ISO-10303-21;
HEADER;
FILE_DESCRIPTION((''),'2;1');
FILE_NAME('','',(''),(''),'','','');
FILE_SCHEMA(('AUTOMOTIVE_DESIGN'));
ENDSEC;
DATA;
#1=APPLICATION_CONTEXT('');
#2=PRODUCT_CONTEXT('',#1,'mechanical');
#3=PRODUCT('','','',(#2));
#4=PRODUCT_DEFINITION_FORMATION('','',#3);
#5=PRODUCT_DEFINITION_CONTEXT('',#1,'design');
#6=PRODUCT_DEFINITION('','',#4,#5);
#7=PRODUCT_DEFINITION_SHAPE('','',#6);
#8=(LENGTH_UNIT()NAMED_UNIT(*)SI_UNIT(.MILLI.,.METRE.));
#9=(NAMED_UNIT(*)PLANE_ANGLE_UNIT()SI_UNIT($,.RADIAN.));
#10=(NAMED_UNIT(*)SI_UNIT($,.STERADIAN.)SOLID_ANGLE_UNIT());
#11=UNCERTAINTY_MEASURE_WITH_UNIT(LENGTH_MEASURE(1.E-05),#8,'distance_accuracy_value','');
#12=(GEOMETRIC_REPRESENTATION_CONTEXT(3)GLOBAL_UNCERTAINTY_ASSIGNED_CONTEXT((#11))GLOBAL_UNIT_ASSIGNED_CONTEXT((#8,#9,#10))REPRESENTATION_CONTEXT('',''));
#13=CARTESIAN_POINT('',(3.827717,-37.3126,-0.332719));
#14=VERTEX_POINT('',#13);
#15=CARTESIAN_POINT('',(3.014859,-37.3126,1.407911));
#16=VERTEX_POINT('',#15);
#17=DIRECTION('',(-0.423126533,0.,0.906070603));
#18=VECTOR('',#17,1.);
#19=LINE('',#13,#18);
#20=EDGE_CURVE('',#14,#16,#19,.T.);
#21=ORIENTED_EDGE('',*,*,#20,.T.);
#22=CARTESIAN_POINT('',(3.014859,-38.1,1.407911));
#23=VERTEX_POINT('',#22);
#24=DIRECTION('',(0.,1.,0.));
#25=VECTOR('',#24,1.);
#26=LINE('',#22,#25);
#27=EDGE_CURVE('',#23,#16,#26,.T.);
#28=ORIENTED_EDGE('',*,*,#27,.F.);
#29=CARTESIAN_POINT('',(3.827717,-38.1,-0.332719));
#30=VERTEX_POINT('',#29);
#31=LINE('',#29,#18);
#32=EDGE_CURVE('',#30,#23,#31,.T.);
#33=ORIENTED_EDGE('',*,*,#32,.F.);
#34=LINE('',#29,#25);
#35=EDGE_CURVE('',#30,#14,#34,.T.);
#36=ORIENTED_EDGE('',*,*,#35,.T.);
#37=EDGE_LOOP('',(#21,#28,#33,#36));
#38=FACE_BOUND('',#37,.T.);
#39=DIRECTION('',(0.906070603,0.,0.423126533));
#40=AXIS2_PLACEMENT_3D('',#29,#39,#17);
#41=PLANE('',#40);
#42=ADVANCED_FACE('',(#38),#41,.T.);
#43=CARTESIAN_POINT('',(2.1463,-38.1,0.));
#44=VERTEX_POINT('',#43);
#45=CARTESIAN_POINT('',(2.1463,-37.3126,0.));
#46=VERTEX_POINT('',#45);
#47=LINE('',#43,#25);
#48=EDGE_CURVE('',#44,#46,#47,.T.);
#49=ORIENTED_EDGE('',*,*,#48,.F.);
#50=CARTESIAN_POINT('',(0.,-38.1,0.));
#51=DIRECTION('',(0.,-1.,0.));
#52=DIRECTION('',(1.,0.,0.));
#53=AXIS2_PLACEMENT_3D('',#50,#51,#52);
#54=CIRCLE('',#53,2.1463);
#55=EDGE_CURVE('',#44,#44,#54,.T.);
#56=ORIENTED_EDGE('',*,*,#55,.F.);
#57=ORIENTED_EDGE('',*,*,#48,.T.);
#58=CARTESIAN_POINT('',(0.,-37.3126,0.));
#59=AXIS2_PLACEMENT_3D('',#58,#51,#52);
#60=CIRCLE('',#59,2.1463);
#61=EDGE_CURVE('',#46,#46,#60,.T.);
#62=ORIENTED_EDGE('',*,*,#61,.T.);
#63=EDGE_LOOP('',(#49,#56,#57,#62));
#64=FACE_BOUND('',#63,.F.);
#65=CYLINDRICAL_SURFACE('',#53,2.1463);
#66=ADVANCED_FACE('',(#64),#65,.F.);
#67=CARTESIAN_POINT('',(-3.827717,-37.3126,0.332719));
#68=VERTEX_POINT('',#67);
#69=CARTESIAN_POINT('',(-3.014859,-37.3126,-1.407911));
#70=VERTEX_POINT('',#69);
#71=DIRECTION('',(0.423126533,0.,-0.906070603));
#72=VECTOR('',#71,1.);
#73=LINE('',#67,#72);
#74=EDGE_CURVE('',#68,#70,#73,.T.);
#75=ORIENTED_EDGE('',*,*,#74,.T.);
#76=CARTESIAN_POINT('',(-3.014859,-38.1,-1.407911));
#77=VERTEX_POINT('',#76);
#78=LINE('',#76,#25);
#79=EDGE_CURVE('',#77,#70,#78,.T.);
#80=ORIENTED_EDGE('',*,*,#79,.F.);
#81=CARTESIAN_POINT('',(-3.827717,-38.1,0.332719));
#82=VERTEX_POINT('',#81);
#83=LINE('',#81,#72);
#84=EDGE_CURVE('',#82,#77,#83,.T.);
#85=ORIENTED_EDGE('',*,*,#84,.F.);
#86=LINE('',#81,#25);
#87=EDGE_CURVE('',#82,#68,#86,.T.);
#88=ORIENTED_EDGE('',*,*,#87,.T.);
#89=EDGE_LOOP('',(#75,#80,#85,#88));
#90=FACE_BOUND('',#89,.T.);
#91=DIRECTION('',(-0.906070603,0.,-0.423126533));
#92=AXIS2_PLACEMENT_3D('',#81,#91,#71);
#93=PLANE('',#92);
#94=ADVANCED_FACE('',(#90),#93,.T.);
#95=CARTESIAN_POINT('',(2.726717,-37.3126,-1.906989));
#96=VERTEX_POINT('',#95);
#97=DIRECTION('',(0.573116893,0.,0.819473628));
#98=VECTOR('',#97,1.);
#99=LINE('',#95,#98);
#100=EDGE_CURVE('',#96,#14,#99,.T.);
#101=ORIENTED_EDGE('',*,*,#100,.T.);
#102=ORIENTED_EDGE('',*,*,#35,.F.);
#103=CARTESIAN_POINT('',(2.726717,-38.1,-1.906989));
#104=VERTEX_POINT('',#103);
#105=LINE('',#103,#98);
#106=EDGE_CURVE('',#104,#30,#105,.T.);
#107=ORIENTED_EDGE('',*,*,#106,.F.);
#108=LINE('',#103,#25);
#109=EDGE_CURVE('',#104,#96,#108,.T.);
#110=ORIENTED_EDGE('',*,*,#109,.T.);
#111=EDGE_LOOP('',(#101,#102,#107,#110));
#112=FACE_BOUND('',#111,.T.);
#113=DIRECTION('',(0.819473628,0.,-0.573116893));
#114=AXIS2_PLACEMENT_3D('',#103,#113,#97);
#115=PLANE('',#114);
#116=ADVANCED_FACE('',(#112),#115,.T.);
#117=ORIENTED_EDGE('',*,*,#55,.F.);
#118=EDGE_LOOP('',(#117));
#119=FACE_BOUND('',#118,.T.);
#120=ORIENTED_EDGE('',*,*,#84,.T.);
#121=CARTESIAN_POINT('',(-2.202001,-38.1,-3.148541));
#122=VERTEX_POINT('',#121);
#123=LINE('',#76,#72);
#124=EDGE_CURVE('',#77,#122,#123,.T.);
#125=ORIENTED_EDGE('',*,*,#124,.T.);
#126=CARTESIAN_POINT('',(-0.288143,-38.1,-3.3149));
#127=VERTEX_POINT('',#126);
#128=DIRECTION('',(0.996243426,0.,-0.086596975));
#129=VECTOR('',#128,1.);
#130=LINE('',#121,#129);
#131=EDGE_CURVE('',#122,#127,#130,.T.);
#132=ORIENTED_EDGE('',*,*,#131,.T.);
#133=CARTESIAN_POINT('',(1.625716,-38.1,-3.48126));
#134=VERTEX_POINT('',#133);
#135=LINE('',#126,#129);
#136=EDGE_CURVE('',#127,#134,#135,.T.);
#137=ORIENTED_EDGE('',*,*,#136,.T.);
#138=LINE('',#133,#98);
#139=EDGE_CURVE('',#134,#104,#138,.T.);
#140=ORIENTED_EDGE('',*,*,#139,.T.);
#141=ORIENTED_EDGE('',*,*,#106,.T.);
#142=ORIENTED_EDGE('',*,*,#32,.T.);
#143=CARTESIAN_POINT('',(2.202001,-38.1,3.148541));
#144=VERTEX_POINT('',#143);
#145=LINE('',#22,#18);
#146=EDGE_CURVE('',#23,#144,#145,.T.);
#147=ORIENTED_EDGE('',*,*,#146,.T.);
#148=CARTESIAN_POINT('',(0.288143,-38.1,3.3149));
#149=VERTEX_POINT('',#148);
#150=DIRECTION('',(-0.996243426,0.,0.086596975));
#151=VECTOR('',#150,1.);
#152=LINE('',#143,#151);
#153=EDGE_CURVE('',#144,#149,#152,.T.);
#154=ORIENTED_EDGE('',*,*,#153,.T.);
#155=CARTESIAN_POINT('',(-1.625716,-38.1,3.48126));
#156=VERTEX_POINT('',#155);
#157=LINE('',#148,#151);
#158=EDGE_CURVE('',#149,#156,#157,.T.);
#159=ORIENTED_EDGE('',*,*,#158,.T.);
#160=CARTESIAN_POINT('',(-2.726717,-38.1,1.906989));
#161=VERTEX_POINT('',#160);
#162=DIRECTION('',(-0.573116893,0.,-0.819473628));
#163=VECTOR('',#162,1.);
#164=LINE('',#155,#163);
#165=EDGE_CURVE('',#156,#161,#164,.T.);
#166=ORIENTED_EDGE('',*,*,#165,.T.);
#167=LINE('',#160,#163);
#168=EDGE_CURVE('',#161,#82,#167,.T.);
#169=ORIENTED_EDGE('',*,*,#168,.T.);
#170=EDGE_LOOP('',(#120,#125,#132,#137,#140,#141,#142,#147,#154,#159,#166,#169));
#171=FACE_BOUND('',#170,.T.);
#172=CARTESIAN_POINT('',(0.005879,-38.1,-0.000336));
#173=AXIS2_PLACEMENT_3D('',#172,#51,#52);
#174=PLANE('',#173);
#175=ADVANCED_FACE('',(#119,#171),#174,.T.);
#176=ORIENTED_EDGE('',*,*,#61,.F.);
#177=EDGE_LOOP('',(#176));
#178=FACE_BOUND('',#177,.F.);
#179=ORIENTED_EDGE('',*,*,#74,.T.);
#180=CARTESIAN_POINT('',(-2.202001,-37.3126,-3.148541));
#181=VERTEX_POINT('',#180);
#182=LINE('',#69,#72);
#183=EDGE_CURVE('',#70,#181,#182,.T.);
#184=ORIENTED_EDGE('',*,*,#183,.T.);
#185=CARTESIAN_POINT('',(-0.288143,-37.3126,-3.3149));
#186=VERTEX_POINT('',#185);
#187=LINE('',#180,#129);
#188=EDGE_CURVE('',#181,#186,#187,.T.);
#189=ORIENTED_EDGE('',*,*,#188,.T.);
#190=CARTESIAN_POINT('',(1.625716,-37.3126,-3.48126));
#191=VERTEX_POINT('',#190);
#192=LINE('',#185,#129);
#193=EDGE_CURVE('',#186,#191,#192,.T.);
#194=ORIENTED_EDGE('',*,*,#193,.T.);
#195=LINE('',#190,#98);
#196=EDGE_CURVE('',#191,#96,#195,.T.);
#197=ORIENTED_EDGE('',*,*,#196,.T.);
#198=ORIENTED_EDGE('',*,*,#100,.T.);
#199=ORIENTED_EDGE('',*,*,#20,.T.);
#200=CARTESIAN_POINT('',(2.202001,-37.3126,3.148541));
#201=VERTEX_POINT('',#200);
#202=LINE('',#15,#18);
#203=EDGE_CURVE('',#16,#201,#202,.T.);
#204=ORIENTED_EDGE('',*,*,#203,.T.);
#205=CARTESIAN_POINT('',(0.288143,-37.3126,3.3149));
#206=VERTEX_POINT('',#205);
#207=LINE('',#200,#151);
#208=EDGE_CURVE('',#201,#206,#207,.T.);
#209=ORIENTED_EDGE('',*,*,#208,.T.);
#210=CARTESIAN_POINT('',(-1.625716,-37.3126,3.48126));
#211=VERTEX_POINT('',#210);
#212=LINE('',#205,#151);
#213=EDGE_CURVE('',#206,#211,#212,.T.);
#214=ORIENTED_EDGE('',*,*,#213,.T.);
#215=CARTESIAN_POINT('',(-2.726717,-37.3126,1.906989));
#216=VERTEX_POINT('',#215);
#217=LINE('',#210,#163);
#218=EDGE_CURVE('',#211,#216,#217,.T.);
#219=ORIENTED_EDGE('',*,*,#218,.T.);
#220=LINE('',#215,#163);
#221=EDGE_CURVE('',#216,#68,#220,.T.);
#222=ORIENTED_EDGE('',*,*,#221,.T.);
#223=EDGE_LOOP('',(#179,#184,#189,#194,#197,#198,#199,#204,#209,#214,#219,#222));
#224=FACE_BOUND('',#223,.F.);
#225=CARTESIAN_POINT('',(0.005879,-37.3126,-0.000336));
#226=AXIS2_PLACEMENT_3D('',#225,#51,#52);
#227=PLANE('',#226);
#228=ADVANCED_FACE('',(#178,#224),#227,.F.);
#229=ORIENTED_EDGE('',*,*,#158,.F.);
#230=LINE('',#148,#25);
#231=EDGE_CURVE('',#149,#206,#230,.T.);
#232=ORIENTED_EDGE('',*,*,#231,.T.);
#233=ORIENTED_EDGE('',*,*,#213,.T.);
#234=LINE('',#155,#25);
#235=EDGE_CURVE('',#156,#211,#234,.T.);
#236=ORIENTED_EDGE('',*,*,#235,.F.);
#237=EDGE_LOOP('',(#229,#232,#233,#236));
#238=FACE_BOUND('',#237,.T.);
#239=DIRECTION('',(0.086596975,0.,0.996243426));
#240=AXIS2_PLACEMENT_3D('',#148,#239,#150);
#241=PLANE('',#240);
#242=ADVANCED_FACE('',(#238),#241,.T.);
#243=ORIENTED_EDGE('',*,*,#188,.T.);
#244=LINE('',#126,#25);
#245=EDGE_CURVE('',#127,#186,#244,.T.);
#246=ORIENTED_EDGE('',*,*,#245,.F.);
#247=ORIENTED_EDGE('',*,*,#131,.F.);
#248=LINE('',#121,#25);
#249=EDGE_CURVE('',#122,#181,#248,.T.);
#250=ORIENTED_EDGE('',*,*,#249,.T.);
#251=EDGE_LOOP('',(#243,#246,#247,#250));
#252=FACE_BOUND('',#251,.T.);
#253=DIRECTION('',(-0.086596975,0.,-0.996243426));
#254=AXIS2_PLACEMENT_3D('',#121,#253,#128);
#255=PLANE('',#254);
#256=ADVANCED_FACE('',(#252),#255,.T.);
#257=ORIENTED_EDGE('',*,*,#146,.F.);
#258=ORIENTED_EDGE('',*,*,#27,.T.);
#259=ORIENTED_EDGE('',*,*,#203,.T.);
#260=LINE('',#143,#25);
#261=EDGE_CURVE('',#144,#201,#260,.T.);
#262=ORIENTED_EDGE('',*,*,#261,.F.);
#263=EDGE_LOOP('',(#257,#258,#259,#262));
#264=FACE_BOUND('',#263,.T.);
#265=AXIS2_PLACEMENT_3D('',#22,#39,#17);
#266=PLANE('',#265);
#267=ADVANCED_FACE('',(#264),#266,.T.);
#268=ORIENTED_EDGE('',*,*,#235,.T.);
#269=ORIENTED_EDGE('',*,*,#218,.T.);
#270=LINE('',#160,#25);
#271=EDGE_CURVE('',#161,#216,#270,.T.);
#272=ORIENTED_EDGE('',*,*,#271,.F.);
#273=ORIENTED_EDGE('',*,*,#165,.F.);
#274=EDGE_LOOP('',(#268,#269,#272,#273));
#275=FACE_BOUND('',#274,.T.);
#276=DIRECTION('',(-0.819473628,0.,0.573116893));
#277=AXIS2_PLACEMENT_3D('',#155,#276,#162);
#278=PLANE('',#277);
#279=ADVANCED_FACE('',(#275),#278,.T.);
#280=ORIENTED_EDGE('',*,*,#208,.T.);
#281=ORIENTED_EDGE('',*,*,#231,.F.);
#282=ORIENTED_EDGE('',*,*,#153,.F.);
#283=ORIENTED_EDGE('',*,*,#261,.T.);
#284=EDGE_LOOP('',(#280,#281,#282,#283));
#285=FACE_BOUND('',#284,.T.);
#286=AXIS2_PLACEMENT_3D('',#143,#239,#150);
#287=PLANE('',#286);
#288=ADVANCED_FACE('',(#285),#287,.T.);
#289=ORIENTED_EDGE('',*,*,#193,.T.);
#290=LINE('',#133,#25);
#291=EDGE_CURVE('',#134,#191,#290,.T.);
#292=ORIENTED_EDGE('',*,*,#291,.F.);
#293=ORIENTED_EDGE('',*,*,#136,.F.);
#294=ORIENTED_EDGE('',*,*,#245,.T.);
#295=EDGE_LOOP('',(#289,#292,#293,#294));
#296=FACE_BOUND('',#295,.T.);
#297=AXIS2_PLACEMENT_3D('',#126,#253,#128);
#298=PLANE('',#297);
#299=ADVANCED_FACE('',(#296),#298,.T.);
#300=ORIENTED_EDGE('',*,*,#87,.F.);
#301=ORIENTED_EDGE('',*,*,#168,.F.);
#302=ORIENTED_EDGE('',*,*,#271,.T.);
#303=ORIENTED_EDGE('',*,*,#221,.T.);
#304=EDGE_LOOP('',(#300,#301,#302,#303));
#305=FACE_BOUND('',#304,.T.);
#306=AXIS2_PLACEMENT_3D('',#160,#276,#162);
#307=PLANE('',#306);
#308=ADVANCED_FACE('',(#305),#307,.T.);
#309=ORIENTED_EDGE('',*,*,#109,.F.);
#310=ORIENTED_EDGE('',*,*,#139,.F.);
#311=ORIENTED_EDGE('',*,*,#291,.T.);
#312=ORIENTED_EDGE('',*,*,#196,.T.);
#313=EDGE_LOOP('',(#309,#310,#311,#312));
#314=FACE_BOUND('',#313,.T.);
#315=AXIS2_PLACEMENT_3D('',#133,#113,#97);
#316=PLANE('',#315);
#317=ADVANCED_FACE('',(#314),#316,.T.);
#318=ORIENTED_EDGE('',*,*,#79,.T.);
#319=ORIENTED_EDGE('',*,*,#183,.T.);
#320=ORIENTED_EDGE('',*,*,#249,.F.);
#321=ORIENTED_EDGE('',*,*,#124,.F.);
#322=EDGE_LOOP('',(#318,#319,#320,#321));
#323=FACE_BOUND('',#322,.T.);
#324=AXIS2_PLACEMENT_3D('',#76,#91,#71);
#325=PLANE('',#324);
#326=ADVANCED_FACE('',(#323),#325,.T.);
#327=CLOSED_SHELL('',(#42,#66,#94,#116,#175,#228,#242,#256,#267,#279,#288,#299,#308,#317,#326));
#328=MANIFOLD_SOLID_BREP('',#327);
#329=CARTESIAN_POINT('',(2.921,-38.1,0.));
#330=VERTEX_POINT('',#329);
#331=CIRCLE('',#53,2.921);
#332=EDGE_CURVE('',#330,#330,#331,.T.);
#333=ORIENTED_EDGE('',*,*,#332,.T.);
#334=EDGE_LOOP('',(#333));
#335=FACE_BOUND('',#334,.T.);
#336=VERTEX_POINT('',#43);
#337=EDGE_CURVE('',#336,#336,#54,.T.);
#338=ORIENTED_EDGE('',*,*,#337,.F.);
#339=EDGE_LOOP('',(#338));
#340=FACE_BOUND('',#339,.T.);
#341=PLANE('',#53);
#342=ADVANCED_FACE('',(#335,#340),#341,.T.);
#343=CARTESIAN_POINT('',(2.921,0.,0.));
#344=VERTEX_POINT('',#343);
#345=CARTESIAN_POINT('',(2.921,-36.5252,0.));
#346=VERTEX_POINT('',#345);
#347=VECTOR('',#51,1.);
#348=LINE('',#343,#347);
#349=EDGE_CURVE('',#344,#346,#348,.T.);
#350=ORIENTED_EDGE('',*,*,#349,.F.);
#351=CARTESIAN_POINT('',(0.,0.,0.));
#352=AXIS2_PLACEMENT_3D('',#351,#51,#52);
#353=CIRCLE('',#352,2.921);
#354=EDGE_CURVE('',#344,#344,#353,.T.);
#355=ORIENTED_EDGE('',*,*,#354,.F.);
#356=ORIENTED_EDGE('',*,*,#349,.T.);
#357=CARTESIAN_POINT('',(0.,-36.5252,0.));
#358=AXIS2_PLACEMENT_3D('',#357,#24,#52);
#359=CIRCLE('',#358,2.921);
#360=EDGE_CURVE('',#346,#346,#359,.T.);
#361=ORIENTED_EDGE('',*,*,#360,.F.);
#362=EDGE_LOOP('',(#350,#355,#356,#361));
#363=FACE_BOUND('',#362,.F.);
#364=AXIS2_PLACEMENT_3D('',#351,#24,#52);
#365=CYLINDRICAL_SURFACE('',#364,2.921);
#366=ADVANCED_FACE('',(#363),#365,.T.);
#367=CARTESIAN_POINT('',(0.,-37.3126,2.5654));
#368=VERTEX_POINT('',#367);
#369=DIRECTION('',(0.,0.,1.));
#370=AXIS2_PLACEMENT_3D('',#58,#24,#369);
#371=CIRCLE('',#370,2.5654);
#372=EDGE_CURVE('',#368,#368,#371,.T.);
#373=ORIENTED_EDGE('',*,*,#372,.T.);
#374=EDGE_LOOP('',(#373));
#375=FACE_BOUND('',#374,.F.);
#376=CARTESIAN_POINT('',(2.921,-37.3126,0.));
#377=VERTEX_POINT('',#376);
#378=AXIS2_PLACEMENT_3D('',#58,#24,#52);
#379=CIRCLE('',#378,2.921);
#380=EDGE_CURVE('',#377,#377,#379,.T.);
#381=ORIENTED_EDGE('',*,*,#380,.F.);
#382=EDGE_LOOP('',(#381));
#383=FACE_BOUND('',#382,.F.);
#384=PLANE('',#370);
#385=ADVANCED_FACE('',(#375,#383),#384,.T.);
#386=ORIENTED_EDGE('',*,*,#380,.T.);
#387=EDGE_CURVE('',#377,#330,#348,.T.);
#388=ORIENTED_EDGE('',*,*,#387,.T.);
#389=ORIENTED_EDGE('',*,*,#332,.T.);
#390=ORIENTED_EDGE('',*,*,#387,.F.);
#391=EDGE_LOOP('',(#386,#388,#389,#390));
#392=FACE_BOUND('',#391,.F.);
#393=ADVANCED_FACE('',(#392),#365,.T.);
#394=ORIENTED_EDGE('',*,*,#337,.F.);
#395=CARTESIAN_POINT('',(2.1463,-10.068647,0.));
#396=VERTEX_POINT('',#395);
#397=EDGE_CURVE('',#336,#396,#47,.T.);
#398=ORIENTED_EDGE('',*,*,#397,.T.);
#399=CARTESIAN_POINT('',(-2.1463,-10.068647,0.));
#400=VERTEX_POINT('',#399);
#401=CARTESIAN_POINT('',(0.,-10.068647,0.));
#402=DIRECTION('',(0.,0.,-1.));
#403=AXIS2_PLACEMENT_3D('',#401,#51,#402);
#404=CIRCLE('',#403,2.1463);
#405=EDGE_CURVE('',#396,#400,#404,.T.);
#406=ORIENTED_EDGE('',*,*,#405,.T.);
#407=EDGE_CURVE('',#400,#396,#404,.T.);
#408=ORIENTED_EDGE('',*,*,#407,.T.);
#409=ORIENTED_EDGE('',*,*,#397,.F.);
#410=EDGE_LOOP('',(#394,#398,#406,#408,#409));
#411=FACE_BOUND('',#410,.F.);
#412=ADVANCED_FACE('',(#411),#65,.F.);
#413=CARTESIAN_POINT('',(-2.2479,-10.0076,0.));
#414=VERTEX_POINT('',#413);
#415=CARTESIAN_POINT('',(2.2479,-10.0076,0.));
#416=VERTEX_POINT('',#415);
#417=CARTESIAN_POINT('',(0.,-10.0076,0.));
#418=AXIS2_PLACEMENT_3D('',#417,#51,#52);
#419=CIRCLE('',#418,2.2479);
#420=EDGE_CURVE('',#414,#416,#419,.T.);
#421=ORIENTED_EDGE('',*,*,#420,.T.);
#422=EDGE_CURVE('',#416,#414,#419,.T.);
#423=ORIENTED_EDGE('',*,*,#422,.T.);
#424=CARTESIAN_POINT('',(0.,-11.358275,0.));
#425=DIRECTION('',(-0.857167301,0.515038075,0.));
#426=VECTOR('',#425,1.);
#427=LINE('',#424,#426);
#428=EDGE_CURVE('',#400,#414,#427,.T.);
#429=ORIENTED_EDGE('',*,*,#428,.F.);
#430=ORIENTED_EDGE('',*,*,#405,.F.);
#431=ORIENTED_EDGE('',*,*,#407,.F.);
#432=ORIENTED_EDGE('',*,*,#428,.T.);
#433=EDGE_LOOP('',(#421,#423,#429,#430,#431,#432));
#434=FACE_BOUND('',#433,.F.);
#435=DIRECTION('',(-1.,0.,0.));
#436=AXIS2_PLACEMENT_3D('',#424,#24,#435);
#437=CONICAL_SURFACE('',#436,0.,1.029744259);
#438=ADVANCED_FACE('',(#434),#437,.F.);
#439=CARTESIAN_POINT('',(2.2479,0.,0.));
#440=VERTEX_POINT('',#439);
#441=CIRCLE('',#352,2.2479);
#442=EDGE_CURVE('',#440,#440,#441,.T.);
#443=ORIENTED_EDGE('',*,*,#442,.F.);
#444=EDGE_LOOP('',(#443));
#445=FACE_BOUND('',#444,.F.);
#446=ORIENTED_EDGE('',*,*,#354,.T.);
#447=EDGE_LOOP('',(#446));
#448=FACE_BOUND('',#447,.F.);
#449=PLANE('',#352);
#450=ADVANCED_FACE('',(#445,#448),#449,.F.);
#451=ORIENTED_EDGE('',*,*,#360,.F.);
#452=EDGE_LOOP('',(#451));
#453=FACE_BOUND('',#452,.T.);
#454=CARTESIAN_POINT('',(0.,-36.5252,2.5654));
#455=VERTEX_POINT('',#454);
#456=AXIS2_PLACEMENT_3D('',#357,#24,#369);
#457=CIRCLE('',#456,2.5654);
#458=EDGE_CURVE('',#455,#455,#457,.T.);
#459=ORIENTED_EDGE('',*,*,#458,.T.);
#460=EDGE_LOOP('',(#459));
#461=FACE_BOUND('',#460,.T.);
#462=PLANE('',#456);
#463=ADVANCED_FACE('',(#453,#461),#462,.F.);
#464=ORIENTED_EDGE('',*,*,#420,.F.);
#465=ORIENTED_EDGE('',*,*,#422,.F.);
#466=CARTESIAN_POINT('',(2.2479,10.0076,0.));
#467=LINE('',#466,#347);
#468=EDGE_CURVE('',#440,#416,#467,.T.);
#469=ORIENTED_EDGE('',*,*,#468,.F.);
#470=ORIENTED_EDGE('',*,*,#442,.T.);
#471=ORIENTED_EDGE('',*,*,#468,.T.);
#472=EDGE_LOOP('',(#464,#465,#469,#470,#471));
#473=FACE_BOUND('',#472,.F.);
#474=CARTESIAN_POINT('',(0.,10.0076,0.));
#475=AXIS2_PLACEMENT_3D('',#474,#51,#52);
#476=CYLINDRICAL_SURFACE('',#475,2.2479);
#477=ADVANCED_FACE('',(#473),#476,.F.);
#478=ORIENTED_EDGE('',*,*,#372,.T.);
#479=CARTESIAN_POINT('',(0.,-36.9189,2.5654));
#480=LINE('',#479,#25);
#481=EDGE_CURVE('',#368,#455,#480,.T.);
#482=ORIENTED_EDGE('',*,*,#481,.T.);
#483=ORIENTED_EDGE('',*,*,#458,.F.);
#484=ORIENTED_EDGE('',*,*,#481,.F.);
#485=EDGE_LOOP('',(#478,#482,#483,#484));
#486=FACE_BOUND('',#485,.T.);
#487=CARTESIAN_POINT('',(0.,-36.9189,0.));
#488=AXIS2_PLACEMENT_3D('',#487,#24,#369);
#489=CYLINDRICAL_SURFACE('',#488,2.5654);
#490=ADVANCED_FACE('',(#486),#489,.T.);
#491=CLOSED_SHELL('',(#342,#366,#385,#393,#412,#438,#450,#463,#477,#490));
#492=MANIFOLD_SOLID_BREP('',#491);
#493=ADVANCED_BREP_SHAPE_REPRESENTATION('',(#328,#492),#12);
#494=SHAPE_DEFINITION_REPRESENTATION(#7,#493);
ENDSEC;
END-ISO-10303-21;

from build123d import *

# Parameters (mm, degrees)
F0_R      = 2.921
F1_DEPTH  = 38.1
F3_DEPTH  = 0.7874
F5_W      = 0.7874
F5_H      = 0.3556
F8_D      = 4.4958
F8_DEPTH  = 10.0076
F8_TIP    = 1.3506745855
F9_R      = 2.1463
F10_DEPTH = 35.56


with BuildPart() as f1:
    # F0 (on Front) → F1 (new body)
    with BuildSketch(Plane.XZ):
        Circle(F0_R)
    extrude(amount=F1_DEPTH)

    # F5 (on Right) → F6 (revolve, cut)
    with BuildSketch(Plane.YZ):
        with Locations((-36.9189, 2.7432)):
            Rectangle(F5_W, F5_H)
    revolve(axis=Axis((0, -34.1169198469, 0), (0, 1, 0)), mode=Mode.SUBTRACT)

    # F8
    with Locations(Plane(origin=(0, 0, 0), x_dir=(-1, 0, 0), z_dir=(0, 1, 0))):
        with Locations((0, 0)):
            Hole(F8_D / 2, depth=F8_DEPTH)
            with Locations((0, 0, -(F8_DEPTH + F8_TIP / 2))):  # 118° drill point
                Cone(0, F8_D / 2, F8_TIP, mode=Mode.SUBTRACT)


with BuildPart() as f3:
    # F2 (on face) → F3 (new body)
    with BuildSketch(Plane.XZ.offset(38.1)):
        with BuildLine():
            ThreePointArc((2.7267165445, -1.9069891573), (3.1736782595, -0.9996784808), (3.3274, 0))
            ThreePointArc((3.3274, 0), (3.2483252364, 0.7210921708), (3.0148593263, 1.4079112197))
            ThreePointArc((3.0148593263, 1.4079112197), (1.9069891486, 2.7267165505), (0.2881427638, 3.3149003767))
            ThreePointArc((0.2881427638, 3.3149003767), (-1.4079112403, 3.0148593167), (-2.7267165621, 1.9069891321))
            ThreePointArc((-2.7267165621, 1.9069891321), (-3.3149003765, 0.2881427663), (-3.0148593263, -1.4079112197))
            ThreePointArc((-3.0148593263, -1.4079112197), (-1.9069891539, -2.7267165469), (-0.2881427766, -3.3149003756))
            ThreePointArc((-0.2881427766, -3.3149003756), (1.4079112206, -3.0148593259), (2.7267165445, -1.9069891573))
        make_face()
        with BuildLine():
            ThreePointArc((3.0148593263, 1.4079112197), (3.2483252364, 0.7210921708), (3.3274, 0))
            ThreePointArc((3.3274, 0), (3.1736782595, -0.9996784808), (2.7267165445, -1.9069891573))
            Line((2.7267165445, -1.9069891573), (3.8277172487, -0.332718616))
            Line((3.8277172487, -0.332718616), (3.0148593263, 1.4079112197))
        make_face()
        with BuildLine():
            ThreePointArc((0.2881427638, 3.3149003767), (1.9069891486, 2.7267165505), (3.0148593263, 1.4079112197))
            Line((3.0148593263, 1.4079112197), (2.2020013981, 3.1485410679))
            Line((2.2020013981, 3.1485410679), (0.2881427638, 3.3149003767))
        make_face()
        with BuildLine():
            Line((1.6257158506, -3.4812596839), (2.7267165445, -1.9069891573))
            ThreePointArc((2.7267165445, -1.9069891573), (1.4079112206, -3.0148593259), (-0.2881427766, -3.3149003756))
            Line((-0.2881427766, -3.3149003756), (1.6257158506, -3.4812596839))
        make_face()
        with BuildLine():
            ThreePointArc((-2.7267165621, 1.9069891321), (-1.4079112403, 3.0148593167), (0.2881427638, 3.3149003767))
            Line((0.2881427638, 3.3149003767), (-1.6257158506, 3.4812596839))
            Line((-1.6257158506, 3.4812596839), (-2.7267165621, 1.9069891321))
        make_face()
        with BuildLine():
            Line((-2.2020013981, -3.1485410679), (-0.2881427766, -3.3149003756))
            ThreePointArc((-0.2881427766, -3.3149003756), (-1.9069891539, -2.7267165469), (-3.0148593263, -1.4079112197))
            Line((-3.0148593263, -1.4079112197), (-2.2020013981, -3.1485410679))
        make_face()
        with BuildLine():
            ThreePointArc((-3.0148593263, -1.4079112197), (-3.3149003765, 0.2881427663), (-2.7267165621, 1.9069891321))
            Line((-2.7267165621, 1.9069891321), (-3.8277172487, 0.332718616))
            Line((-3.8277172487, 0.332718616), (-3.0148593263, -1.4079112197))
        make_face()
    extrude(amount=-F3_DEPTH)


with BuildPart() as f10_tool:
    # F9 (on face) → F10 (new body)
    with BuildSketch(Plane.XZ.offset(38.1)):
        Circle(F9_R)
    extrude(amount=-F10_DEPTH)


with BuildPart() as f1_1:
    add(f1.part)

    # F10: cut by f10_tool
    add(f10_tool.part, mode=Mode.SUBTRACT)


with BuildPart() as f3_1:
    add(f3.part)

    # F10: cut by f10_tool
    add(f10_tool.part, mode=Mode.SUBTRACT)


solid = Compound([f1_1.part, f3_1.part])
